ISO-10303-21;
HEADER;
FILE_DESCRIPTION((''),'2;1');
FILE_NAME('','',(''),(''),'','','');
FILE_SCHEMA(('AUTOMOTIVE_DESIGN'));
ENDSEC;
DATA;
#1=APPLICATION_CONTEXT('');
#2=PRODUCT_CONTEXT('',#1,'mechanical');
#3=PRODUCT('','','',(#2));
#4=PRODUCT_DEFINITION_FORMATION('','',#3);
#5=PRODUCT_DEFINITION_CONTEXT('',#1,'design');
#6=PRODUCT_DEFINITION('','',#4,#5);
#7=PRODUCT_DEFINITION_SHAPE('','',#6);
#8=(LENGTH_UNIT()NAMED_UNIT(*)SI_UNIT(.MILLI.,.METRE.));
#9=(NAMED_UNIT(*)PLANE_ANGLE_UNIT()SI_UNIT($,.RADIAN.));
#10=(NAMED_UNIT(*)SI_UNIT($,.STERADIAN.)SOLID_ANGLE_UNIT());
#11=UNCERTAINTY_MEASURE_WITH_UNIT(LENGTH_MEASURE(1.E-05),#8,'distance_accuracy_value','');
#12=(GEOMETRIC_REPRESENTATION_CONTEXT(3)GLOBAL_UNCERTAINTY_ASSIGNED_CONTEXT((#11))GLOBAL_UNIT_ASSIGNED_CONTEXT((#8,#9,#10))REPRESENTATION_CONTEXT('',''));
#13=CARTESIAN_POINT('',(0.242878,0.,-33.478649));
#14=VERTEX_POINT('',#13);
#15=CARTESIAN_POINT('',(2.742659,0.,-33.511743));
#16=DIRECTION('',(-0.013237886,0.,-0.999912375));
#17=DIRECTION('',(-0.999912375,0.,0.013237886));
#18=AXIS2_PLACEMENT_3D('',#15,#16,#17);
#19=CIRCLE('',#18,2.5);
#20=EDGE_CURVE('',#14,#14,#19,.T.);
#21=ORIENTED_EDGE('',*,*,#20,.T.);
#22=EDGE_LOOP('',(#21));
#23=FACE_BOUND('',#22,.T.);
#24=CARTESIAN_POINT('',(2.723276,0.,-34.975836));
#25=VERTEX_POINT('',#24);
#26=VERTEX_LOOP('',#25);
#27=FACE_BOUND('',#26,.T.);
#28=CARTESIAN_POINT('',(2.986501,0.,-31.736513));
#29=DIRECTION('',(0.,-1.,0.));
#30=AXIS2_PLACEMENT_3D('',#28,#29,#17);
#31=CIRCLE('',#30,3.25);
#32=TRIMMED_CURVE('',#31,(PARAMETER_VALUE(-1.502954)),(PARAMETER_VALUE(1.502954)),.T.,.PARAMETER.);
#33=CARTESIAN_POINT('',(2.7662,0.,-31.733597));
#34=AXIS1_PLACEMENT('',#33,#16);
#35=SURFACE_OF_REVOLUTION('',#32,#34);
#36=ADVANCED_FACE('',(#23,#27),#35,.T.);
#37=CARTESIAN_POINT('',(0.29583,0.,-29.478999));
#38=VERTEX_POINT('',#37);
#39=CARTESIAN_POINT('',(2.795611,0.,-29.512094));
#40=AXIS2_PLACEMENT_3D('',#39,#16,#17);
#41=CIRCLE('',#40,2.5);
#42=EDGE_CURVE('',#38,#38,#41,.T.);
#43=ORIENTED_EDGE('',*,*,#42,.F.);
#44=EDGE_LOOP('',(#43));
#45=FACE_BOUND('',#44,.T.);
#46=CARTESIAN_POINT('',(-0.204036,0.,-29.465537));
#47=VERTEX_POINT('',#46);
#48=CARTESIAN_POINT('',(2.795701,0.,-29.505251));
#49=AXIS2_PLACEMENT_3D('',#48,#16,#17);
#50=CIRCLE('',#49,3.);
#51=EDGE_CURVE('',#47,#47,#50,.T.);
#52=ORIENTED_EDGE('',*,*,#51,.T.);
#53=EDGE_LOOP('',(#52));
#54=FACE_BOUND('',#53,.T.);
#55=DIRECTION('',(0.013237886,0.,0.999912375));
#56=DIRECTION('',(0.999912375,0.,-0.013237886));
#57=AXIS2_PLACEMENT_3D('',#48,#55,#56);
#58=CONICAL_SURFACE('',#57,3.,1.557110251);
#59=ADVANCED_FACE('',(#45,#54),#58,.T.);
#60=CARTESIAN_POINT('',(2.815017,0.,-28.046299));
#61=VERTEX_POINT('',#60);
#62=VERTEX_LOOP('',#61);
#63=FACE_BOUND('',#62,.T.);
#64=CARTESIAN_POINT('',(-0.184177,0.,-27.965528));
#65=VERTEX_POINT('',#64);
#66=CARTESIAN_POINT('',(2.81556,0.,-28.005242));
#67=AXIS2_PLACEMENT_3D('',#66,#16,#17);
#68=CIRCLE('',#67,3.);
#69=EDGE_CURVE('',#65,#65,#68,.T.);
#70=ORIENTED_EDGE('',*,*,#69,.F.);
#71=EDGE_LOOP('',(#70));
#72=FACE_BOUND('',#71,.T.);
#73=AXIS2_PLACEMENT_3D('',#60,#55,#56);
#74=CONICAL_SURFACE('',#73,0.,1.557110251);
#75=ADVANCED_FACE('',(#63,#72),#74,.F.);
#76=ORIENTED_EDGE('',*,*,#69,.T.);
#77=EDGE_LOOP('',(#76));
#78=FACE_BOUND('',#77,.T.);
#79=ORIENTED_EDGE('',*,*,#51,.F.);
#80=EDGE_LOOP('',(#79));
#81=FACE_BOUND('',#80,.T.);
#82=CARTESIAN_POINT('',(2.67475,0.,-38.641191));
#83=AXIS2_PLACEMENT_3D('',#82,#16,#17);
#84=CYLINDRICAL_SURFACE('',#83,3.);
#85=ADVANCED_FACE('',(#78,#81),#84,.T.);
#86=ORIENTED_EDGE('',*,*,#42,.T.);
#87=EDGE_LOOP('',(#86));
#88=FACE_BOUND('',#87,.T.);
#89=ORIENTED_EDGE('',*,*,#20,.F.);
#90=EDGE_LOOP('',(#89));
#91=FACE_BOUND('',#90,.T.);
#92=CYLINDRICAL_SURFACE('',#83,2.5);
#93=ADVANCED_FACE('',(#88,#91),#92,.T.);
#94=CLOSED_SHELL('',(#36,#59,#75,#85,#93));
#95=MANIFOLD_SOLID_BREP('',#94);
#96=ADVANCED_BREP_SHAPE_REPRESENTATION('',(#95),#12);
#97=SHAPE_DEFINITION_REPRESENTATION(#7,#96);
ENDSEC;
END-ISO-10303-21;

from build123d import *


with BuildPart() as part:
    # Sketch3 → Revolve1 (revolve)
    with BuildSketch(Plane(origin=(0, 0, 0), x_dir=(1, 0, 0), z_dir=(0, 1, 0)), mode=Mode.PRIVATE) as revolve1_sk:
        with BuildLine():
            Line((2.815016612, 28.046299004), (5.815297296, 28.044955469))
            Line((5.815297296, 28.044955469), (5.795438607, 29.544964512))
            Line((5.795438607, 29.544964512), (5.295391827, 29.545188435))
            Line((5.295391827, 29.545188435), (5.242440283, 33.544837936))
            ThreePointArc((5.242440283, 33.544837936), (4.151137578, 34.556580072), (2.723276154, 34.97583596))
            Line((2.723276154, 34.97583596), (2.815016612, 28.046299004))
        make_face()
    revolve(revolve1_sk.sketch.rotate(Axis((2.674750353, 0, -38.641190812), (0.013237885798534722, 0, 0.999912375350753)), 180), axis=Axis((2.674750353, 0, -38.641190812), (0.013237885798534722, 0, 0.999912375350753)))


solid = part.part
